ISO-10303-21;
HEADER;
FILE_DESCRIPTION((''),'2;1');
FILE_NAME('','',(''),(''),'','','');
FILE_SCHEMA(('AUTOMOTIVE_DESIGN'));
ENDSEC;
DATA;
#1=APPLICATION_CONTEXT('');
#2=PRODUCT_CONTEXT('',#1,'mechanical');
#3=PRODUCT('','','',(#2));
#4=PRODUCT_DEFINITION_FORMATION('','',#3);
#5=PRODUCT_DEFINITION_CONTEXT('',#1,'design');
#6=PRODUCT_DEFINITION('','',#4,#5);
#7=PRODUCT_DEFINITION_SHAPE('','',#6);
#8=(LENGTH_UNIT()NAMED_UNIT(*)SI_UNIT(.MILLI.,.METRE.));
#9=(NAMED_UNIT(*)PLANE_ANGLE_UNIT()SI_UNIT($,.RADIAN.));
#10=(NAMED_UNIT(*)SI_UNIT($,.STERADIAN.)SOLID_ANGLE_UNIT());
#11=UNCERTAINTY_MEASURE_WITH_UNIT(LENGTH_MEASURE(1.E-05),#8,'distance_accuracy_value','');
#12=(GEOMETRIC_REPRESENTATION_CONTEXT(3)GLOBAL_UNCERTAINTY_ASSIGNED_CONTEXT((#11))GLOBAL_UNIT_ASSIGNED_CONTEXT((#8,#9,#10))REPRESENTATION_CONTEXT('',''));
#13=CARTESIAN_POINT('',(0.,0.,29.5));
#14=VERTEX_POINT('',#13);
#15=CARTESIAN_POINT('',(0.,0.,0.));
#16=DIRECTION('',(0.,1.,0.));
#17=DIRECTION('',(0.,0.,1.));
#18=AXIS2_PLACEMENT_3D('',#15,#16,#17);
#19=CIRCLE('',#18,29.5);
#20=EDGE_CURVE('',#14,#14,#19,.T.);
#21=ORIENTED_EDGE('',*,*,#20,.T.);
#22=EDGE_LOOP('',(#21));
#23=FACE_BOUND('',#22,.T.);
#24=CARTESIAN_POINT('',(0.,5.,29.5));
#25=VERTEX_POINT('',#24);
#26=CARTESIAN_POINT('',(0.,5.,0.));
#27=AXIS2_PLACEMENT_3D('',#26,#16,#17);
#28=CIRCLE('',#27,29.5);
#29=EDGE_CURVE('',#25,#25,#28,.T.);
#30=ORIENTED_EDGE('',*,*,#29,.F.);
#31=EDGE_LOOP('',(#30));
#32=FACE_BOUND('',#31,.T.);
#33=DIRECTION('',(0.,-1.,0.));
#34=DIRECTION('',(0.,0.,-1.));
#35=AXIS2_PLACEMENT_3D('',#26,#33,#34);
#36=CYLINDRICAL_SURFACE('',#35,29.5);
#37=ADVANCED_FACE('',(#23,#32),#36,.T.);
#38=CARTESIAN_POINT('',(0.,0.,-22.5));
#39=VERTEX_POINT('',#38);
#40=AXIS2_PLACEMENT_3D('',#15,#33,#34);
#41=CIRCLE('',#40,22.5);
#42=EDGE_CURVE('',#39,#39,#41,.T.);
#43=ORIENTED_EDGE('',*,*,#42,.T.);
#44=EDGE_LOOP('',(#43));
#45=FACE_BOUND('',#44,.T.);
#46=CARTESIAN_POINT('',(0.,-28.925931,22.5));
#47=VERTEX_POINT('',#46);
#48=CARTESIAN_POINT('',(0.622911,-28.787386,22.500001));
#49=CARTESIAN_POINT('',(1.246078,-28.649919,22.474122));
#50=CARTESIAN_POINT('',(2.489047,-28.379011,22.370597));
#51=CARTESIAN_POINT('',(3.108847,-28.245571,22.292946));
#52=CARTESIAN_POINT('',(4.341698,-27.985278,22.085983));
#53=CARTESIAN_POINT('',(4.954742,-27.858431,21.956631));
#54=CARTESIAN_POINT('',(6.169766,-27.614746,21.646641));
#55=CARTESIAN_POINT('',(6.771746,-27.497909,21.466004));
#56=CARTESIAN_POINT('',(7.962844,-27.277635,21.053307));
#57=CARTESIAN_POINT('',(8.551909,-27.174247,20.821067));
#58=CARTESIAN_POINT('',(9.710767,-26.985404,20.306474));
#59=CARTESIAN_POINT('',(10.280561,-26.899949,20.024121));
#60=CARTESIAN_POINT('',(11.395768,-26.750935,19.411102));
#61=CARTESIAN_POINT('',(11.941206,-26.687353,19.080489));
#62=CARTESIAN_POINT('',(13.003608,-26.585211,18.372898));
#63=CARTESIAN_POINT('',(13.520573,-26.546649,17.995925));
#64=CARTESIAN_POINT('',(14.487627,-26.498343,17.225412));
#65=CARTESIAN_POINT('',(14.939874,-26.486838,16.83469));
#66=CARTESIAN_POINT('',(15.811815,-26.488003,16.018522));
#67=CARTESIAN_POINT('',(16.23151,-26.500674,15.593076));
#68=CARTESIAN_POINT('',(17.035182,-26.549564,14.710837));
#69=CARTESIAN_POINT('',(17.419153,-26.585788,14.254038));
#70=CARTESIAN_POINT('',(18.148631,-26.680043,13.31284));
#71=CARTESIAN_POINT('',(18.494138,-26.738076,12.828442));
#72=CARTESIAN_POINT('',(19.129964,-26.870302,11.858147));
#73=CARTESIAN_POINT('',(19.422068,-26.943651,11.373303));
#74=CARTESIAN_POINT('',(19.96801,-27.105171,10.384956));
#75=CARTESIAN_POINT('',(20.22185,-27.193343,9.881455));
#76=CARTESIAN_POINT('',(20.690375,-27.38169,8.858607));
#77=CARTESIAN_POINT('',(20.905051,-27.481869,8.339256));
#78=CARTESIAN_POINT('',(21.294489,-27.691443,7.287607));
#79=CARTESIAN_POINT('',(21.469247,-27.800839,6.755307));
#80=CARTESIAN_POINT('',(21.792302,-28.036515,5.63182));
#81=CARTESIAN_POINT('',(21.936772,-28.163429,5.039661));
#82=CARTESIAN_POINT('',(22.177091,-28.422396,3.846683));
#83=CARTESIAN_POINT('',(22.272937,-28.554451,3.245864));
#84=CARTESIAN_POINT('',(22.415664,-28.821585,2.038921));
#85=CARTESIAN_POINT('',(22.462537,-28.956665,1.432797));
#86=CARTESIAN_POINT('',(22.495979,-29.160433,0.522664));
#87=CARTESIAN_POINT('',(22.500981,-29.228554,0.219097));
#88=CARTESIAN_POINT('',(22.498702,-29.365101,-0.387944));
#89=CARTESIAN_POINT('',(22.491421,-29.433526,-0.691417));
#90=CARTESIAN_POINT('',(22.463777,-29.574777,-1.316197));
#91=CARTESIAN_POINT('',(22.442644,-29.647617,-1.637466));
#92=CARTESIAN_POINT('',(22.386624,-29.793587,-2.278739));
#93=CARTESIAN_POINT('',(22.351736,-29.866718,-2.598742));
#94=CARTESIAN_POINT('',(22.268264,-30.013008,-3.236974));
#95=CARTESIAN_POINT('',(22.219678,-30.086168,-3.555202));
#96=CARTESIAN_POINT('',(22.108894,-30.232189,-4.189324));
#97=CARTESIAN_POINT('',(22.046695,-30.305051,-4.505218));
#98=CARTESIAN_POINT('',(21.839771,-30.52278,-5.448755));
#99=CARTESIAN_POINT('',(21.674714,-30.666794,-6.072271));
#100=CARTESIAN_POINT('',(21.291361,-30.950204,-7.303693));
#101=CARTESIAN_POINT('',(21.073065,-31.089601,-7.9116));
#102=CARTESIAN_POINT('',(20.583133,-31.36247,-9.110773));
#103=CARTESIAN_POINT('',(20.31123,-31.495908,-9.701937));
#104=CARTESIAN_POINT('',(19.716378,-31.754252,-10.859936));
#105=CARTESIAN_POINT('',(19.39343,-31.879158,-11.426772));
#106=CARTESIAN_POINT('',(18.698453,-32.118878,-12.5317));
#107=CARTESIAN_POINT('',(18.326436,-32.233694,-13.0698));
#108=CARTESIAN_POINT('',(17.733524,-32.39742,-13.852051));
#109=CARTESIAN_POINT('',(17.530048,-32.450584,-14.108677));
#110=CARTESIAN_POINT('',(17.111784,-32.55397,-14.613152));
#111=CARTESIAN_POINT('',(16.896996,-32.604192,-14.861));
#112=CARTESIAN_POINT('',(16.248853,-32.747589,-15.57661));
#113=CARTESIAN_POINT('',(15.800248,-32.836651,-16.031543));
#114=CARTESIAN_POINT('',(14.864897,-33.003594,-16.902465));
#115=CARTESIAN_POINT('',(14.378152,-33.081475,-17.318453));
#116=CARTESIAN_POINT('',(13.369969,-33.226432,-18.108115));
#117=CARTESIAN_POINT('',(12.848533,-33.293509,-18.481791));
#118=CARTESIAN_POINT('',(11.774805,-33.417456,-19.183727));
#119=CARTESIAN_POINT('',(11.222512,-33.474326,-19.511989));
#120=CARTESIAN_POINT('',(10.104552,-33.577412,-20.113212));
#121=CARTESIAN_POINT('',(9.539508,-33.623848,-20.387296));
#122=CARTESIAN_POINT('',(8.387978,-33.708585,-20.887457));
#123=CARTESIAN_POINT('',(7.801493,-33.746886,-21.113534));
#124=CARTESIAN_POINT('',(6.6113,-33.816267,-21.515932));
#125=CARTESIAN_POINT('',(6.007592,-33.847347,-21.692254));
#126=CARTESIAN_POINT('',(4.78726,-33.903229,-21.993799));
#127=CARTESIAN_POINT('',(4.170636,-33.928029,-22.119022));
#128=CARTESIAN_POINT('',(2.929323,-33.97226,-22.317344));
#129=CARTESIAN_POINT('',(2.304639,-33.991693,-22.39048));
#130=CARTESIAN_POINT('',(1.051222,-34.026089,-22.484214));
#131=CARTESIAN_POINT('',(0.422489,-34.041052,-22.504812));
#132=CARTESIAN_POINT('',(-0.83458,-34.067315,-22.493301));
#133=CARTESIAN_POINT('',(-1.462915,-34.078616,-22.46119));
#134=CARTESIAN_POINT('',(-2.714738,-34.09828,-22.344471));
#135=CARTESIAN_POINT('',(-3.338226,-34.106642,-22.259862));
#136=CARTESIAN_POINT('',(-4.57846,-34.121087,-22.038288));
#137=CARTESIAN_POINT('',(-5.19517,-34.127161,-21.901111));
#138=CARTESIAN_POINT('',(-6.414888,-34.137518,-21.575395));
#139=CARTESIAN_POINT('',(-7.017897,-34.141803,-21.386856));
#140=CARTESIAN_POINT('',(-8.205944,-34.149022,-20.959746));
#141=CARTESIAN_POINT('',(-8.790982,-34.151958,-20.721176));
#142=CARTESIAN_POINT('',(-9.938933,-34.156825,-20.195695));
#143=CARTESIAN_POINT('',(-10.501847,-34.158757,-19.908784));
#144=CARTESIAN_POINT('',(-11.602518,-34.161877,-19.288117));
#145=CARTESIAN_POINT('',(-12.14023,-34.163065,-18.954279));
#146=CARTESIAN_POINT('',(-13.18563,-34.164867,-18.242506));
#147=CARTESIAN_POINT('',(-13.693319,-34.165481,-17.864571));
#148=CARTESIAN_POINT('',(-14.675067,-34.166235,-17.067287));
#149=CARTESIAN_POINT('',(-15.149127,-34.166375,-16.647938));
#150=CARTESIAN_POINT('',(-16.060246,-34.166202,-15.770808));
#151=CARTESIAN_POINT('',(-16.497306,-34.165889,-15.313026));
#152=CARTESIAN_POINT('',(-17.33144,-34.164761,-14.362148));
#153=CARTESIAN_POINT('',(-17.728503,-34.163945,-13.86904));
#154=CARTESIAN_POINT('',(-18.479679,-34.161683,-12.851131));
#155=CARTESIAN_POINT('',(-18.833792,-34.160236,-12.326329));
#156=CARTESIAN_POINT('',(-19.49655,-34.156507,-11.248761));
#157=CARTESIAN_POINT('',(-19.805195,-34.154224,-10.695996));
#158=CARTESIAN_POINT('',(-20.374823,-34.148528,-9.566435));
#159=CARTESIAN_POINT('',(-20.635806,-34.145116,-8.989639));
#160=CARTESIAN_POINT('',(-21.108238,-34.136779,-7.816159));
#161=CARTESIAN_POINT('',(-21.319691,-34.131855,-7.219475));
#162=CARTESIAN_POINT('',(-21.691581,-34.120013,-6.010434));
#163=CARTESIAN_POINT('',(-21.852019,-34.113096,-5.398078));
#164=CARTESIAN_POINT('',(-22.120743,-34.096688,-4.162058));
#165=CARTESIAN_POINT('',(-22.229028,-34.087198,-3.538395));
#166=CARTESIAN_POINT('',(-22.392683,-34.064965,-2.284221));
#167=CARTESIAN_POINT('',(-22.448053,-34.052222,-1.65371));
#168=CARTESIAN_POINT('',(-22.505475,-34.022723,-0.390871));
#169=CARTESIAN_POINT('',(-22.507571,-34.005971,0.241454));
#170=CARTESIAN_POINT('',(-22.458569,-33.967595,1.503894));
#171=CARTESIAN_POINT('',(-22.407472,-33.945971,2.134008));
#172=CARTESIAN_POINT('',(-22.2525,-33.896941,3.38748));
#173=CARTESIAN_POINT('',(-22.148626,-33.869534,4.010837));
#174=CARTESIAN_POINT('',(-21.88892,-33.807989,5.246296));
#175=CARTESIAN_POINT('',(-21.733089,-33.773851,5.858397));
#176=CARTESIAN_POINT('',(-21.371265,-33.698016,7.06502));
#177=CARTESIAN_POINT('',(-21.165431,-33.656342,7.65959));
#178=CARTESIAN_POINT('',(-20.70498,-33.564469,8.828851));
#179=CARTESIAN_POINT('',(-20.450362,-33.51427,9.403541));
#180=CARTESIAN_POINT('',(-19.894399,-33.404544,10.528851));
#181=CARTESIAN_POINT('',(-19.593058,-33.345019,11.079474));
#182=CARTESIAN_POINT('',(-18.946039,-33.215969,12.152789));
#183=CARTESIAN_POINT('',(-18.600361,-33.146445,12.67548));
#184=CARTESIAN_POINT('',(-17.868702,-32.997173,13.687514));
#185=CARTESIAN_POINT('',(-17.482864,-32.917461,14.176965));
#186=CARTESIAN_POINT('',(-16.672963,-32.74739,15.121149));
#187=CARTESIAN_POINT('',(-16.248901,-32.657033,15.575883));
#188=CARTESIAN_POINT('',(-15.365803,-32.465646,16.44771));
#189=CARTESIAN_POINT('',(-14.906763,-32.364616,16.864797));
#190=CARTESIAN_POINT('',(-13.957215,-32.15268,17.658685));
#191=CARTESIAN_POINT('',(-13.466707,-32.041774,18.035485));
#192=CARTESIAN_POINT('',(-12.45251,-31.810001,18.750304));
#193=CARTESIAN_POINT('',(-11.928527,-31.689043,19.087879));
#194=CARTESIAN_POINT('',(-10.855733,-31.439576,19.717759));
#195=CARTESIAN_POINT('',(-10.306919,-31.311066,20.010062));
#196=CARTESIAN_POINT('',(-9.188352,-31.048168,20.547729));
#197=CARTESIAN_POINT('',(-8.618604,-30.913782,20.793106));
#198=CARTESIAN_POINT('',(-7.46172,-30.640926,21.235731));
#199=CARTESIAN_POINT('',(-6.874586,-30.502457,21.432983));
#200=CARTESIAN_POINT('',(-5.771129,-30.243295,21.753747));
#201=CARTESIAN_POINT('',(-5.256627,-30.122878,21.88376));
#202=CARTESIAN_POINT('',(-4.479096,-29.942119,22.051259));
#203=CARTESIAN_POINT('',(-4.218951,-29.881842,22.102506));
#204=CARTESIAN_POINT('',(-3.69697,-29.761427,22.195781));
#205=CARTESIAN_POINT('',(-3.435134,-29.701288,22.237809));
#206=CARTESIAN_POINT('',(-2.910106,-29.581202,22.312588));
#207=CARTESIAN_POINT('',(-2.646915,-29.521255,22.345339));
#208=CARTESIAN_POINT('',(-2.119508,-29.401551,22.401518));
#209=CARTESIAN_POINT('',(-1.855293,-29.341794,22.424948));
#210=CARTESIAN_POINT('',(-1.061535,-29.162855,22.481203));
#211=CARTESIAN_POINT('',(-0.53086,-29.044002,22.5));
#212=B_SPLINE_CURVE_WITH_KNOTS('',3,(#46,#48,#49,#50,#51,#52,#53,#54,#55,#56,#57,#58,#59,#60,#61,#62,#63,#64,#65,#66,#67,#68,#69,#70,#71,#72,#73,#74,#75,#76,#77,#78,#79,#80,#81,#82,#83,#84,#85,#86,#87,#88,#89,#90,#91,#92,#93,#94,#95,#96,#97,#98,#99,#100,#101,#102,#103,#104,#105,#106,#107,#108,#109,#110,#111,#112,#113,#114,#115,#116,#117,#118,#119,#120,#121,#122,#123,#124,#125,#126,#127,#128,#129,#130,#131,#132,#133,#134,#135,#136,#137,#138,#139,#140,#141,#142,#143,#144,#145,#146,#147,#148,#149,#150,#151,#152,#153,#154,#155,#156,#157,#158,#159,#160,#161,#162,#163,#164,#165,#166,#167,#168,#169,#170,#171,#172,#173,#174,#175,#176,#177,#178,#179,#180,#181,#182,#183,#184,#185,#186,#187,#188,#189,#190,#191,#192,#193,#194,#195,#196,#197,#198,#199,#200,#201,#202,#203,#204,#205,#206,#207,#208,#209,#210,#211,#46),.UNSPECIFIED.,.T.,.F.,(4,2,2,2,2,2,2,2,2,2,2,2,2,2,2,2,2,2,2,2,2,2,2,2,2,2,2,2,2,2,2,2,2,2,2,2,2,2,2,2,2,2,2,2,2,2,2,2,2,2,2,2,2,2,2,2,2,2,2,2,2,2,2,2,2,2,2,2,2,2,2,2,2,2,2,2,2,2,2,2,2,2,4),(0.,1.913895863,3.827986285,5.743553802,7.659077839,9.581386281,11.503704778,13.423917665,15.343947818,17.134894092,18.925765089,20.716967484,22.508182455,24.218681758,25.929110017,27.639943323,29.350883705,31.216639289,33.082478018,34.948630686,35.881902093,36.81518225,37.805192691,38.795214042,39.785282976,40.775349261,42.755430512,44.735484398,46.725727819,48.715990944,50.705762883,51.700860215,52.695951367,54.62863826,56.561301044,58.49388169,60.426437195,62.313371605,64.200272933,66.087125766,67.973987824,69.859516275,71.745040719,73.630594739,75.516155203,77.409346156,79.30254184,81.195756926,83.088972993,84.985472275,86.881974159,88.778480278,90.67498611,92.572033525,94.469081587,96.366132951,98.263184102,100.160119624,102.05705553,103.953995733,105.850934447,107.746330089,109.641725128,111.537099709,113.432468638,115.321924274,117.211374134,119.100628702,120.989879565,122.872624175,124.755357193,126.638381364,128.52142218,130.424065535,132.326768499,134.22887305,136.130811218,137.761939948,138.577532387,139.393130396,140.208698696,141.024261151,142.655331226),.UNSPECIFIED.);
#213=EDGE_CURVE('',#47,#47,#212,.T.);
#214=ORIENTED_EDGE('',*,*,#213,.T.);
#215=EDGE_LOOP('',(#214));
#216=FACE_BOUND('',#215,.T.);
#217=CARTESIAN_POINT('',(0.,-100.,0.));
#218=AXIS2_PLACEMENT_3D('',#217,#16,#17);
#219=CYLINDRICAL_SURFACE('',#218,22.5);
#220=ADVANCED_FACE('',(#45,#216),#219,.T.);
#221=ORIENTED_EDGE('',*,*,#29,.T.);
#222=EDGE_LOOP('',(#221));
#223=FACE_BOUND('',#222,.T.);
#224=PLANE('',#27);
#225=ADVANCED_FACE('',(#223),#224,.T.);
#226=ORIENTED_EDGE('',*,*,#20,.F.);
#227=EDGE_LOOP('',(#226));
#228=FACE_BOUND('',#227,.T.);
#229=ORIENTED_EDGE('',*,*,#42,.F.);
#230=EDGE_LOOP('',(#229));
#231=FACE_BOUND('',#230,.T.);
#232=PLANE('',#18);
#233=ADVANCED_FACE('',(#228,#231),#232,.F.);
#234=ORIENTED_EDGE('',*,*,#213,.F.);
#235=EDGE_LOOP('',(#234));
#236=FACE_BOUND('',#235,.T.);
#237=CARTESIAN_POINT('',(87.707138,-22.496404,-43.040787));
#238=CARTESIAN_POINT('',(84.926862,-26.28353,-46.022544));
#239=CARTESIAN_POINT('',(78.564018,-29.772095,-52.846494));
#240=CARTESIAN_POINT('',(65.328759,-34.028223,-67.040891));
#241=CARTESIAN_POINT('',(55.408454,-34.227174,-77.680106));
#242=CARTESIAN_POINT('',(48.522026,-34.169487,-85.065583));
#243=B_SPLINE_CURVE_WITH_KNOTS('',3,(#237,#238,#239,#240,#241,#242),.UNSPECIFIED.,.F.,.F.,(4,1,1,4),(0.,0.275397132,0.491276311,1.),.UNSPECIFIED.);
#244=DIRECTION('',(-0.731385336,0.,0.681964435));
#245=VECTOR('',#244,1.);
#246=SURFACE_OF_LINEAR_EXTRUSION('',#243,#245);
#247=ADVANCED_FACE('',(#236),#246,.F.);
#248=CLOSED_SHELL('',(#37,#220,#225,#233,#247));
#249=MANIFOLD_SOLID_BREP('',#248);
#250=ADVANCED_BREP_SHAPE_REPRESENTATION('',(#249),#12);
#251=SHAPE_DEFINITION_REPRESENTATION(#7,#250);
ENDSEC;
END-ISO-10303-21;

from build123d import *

# Parameters (mm, degrees)
SKETCH2_R           = 29.5
BOSS_EXTRUDE1_DEPTH = 5
SKETCH3_R           = 22.5
BOSS_EXTRUDE2_DEPTH = 100
CUT_EXTRUDE1_DEPTH  = 181


with BuildPart() as part:
    # Sketch2 → Boss-Extrude1 (new body)
    with BuildSketch(Plane(origin=(0, 0, 0), x_dir=(1, 0, 0), z_dir=(0, 1, 0))):
        with Locations(Location((0, 0, 0), (0, 0, 270))):
            Circle(SKETCH2_R)
    extrude(amount=BOSS_EXTRUDE1_DEPTH)

    # Sketch3 → Boss-Extrude2 (add)
    with BuildSketch(Plane.XZ):
        with Locations(Location((0, 0, 0), (0, 0, 270))):
            Circle(SKETCH3_R)
    extrude(amount=BOSS_EXTRUDE2_DEPTH)

    # Sketch4 → Cut-Extrude1 (cut)
    with BuildSketch(Plane(origin=(-63.996216882, 0, 59.671888061), x_dir=(0.6819644349807488, 0, 0.7313853357987076), z_dir=(-0.7313853357987076, 0, 0.6819644349807488))):
        with BuildLine():
            Line((-29.125423753, -34.169486826), (-29.125423753, -106.993301149))
            Line((-29.125423753, -106.993301149), (28.333748465, -106.993301149))
            Line((28.333748465, -106.993301149), (28.333748465, -22.496404242))
            add(Edge.make_bspline(
                [(-29.125423753, -34.169486826), (-19.027495219, -34.227173533), (-4.480834303, -34.028222863), (14.926714819, -29.772095296), (24.25688535, -26.283529721), (28.333748465, -22.496404242)],
                knots=[0, 0, 0, 0, 0.508723689, 0.724602868, 1, 1, 1, 1], degree=3))
        make_face()
    extrude(amount=-CUT_EXTRUDE1_DEPTH, mode=Mode.SUBTRACT)


solid = part.part
